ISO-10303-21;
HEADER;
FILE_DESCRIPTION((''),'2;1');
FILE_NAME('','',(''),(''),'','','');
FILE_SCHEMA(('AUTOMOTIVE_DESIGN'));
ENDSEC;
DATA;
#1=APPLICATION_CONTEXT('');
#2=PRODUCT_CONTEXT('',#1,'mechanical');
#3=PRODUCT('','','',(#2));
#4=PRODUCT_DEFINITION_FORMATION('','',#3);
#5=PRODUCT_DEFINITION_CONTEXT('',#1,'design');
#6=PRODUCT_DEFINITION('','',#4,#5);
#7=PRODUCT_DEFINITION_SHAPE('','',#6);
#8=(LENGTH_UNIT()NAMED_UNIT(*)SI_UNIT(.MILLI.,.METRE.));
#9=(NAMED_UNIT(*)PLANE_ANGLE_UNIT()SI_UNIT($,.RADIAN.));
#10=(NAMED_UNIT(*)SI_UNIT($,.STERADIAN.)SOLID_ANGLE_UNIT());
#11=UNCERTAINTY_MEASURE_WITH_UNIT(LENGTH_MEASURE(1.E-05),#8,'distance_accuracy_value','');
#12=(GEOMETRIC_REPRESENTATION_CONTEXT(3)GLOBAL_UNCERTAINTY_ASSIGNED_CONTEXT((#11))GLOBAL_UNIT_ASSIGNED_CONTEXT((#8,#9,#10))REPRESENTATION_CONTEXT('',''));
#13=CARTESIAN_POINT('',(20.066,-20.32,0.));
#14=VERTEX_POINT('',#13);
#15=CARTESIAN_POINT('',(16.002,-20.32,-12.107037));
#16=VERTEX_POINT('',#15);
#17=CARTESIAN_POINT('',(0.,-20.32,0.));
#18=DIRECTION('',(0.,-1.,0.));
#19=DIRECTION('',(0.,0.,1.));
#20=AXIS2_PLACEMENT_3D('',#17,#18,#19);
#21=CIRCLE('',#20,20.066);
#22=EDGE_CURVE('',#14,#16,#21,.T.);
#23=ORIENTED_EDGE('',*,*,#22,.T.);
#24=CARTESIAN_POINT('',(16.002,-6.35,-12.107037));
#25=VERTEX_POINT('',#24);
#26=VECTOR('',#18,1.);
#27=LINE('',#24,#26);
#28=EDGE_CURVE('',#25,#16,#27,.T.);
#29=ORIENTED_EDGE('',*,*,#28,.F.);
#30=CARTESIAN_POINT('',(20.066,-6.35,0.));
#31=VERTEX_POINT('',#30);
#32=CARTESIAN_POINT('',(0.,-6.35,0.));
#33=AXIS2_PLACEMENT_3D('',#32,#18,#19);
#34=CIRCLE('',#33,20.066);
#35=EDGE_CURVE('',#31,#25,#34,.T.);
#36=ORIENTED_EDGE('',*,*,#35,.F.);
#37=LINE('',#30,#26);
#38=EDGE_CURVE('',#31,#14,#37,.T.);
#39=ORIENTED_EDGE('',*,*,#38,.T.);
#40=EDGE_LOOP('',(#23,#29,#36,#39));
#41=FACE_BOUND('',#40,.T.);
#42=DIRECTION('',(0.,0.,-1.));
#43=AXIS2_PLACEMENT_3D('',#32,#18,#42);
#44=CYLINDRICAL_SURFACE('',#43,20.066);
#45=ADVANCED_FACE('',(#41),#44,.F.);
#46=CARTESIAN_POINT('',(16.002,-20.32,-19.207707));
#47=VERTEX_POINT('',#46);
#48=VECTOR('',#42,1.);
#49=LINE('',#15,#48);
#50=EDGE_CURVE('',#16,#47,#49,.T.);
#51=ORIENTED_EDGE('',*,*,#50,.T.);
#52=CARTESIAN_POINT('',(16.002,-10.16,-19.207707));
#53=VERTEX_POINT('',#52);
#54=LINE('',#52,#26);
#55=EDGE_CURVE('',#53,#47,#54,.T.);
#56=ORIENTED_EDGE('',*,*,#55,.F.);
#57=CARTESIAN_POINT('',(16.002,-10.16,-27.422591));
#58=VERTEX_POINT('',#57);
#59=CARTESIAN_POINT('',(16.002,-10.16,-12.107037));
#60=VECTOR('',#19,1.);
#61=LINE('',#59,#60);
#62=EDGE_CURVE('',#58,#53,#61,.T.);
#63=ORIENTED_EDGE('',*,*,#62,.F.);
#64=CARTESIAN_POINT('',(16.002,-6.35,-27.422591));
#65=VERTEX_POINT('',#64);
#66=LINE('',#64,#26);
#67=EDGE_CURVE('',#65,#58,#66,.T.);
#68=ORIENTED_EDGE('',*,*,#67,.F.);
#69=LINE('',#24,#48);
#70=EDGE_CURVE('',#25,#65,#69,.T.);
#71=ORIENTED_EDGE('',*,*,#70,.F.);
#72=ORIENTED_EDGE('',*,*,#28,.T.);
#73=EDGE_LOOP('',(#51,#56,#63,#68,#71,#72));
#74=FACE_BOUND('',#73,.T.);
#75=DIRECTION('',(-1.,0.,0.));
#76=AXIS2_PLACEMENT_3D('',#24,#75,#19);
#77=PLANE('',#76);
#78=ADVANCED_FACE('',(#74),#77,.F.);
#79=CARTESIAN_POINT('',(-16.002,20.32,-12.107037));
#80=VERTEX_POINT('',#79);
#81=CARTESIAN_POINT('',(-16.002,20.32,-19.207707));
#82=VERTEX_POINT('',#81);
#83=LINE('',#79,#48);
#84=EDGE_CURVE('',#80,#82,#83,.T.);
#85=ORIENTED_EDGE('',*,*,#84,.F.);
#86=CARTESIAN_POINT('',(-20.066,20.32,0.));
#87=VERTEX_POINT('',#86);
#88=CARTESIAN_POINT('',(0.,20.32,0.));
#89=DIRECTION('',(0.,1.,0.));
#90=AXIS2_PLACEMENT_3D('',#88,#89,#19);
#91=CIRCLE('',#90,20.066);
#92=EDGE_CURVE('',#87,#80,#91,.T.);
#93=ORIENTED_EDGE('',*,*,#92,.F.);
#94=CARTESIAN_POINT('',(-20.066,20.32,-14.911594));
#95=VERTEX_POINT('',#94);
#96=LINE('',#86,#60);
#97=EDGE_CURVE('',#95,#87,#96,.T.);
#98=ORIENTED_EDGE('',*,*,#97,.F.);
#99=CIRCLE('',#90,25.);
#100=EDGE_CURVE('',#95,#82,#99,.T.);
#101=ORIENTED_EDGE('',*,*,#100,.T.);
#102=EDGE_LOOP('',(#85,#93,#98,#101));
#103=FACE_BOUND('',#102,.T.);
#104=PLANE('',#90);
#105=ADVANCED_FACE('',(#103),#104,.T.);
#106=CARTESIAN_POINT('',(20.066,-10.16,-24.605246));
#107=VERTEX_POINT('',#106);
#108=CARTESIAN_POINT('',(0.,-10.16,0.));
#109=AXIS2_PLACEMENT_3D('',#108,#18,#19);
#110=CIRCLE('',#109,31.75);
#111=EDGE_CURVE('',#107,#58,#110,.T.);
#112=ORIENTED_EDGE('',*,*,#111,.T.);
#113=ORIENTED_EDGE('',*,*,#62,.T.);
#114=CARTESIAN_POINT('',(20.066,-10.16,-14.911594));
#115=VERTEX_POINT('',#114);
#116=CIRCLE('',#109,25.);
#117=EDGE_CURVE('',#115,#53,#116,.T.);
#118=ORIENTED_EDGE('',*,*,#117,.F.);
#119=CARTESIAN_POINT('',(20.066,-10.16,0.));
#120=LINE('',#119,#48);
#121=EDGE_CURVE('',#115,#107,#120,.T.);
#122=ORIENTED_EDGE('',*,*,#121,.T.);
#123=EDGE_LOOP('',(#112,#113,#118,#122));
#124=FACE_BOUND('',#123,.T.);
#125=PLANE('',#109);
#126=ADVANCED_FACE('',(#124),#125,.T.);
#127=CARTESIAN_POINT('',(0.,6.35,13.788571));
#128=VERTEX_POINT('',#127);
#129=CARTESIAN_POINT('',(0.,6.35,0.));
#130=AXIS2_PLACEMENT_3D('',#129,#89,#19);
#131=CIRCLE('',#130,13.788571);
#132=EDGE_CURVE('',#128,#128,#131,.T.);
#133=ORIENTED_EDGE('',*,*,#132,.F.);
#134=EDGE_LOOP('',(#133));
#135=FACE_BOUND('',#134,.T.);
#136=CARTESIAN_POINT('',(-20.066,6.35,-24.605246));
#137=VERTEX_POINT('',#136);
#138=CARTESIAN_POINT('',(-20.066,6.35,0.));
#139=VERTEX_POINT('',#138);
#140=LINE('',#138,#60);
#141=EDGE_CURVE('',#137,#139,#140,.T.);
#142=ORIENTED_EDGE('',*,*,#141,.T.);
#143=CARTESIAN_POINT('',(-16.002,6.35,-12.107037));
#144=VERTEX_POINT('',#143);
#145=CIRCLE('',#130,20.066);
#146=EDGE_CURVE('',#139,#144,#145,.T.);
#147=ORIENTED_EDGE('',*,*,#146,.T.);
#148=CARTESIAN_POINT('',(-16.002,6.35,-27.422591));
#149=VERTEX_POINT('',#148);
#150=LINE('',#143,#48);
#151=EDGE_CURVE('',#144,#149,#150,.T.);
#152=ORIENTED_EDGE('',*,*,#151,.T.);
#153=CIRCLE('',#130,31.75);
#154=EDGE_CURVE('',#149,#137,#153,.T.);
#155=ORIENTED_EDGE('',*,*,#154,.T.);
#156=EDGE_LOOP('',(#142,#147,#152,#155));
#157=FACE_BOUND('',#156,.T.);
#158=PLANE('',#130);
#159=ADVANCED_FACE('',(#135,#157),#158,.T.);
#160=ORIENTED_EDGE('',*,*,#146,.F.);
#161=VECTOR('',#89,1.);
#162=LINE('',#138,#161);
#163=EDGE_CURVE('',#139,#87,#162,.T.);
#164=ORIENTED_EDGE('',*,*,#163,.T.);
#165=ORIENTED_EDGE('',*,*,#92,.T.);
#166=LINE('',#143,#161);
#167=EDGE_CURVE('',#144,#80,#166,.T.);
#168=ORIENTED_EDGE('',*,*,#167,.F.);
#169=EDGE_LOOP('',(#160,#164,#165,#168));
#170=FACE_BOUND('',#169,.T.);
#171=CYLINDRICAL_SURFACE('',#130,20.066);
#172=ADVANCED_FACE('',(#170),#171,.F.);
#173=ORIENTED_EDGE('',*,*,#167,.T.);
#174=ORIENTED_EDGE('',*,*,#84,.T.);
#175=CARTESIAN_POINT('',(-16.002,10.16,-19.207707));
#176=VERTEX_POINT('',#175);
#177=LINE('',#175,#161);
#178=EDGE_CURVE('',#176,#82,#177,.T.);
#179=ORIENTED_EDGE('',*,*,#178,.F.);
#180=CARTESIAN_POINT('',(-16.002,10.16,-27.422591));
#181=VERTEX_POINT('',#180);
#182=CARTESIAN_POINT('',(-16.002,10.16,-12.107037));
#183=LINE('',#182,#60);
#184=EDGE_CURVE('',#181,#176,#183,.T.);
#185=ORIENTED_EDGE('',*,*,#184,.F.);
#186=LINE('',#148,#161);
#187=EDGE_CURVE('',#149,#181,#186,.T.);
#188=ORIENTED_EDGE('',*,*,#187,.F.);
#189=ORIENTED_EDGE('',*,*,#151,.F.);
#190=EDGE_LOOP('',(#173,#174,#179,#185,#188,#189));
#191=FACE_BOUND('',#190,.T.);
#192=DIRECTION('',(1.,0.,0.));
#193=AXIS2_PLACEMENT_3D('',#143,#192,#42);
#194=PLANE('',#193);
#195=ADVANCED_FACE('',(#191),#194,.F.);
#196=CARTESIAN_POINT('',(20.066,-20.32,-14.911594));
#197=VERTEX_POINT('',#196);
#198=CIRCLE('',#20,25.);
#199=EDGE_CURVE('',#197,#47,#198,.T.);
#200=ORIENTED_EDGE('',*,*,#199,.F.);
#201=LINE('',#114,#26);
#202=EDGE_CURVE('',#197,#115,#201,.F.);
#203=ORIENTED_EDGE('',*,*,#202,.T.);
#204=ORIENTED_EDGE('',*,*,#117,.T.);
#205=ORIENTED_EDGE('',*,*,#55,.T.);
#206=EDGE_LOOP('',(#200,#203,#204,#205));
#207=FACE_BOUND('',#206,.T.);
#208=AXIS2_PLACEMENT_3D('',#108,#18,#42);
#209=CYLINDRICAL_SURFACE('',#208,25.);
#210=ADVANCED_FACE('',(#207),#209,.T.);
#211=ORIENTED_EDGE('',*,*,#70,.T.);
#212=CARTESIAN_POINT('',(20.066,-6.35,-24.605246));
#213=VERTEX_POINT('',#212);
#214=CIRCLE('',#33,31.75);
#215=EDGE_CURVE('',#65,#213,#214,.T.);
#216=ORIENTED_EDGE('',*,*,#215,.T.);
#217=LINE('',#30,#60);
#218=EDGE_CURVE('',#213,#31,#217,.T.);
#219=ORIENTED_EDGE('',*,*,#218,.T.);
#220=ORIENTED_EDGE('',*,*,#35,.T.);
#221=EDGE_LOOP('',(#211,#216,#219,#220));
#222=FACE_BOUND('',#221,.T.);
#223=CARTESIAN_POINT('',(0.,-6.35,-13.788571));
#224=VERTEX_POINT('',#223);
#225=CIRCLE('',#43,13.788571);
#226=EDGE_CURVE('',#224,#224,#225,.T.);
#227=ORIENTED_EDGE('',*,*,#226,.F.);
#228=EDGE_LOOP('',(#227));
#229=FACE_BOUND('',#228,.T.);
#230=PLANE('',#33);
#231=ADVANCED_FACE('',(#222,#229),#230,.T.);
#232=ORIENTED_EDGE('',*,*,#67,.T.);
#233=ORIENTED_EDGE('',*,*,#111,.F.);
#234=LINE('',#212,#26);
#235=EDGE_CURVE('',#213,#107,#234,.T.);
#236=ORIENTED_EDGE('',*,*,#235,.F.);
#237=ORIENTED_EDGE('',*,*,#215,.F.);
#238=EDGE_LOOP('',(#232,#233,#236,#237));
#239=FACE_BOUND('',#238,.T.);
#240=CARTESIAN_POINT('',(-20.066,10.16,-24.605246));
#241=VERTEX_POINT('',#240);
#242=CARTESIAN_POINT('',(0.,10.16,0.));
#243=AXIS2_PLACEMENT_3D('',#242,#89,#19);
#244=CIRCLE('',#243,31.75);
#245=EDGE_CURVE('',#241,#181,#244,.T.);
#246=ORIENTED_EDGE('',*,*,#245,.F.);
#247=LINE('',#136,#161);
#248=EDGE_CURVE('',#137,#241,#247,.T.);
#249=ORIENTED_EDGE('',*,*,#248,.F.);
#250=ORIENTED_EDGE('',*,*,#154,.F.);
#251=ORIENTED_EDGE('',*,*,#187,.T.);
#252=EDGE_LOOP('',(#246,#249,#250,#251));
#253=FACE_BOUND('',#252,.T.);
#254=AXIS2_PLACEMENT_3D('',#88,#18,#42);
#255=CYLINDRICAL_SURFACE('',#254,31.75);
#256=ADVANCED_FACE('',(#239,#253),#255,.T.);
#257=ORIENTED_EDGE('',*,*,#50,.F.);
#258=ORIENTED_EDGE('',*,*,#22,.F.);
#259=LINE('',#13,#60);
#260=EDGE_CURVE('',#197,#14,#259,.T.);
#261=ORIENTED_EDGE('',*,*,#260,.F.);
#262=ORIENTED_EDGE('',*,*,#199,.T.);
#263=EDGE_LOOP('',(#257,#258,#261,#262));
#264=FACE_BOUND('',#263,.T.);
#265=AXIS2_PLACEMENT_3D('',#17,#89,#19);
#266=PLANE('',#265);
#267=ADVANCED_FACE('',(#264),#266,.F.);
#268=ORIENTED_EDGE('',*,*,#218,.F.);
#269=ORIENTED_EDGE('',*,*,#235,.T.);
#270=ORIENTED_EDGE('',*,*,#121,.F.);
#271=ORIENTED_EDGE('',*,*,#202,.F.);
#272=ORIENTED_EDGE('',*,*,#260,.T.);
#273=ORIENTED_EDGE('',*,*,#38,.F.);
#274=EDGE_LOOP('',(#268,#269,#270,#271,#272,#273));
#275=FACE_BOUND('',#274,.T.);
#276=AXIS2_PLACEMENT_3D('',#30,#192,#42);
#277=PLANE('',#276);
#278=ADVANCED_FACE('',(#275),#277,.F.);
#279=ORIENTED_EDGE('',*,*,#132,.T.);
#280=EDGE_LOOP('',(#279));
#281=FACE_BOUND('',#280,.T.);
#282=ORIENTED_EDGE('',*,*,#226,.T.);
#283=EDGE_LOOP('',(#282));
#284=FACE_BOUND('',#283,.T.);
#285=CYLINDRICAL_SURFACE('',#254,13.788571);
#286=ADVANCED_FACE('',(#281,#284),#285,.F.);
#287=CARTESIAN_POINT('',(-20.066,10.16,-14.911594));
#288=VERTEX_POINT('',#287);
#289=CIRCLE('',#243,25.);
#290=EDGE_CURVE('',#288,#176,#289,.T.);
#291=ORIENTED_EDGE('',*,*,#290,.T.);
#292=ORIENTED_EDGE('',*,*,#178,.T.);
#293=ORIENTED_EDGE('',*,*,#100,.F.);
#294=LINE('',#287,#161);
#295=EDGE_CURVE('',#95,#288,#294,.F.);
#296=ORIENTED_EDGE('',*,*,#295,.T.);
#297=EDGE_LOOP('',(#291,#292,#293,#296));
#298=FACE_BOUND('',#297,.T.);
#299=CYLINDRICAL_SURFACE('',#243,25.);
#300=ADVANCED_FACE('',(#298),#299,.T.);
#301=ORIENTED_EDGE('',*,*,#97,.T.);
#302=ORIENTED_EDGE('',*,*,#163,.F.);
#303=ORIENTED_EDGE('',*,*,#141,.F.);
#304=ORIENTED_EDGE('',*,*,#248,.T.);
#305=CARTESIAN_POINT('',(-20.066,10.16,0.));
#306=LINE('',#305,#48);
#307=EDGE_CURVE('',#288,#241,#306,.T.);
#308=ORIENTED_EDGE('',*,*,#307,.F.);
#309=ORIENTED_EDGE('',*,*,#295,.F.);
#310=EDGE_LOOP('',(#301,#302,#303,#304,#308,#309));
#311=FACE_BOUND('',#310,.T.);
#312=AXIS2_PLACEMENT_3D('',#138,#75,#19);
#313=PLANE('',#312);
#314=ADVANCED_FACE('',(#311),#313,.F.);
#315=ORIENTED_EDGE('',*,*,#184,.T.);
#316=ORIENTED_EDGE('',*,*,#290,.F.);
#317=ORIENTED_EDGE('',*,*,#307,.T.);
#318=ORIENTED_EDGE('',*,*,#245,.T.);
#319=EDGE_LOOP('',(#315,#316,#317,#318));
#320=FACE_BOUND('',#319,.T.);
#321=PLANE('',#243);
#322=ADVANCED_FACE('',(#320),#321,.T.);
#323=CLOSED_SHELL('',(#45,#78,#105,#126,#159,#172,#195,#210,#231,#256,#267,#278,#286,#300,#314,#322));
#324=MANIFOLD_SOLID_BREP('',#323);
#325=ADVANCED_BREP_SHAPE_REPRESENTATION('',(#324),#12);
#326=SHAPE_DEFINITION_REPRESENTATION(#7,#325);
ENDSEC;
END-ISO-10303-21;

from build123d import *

# Parameters (mm, degrees)
SKETCH1_R           = 31.75
SKETCH1_R_2         = 13.788571429
BOSS_EXTRUDE1_DEPTH = 20.32
CUT_EXTRUDE1_DEPTH  = 13.97
SKETCH13_R          = 31.75
SKETCH13_R_2        = 25
CUT_EXTRUDE2_DEPTH  = 10.16
CIRPATTERN1_COUNT   = 2


with BuildPart() as part:
    # Sketch1 → Boss-Extrude1 (new, symmetric)
    with BuildSketch(Plane(origin=(0, 0, 0), x_dir=(1, 0, 0), z_dir=(0, 1, 0))):
        with Locations(Location((0, 0, 0), (0, 0, 270))):
            Circle(SKETCH1_R)
        with Locations(Location((0, 0, 0), (0, 0, 270))):
            Circle(SKETCH1_R_2, mode=Mode.SUBTRACT)
    extrude(amount=BOSS_EXTRUDE1_DEPTH, both=True)

    # Sketch2 → Cut-Extrude1 (cut)
    with BuildSketch(Plane(origin=(0, 20.32, 0), x_dir=(1, 0, 0), z_dir=(0, 1, 0))):
        with BuildLine():
            Line((-20.066, 0), (-20.066, 24.60524627))
            ThreePointArc((-20.066, 24.60524627), (-18.088933462, 26.093159759), (-16.002, 27.422590979))
            Line((-16.002, 27.422590979), (-16.002, 12.107037292))
            ThreePointArc((-16.002, 12.107037292), (19.022887373, -6.385460986), (-20.066, 0))
        make_face()
    cut_extrude1 = extrude(amount=-CUT_EXTRUDE1_DEPTH, mode=Mode.SUBTRACT)

    # Sketch13 → Cut-Extrude2 (cut)
    with BuildSketch(Plane(origin=(0, 20.32, 0), x_dir=(1, 0, 0), z_dir=(0, 1, 0))):
        with Locations(Location((0, 0, 0), (0, 0, 120.264992611))):
            Circle(SKETCH13_R)
        Circle(SKETCH13_R_2, mode=Mode.SUBTRACT)
    cut_extrude2 = extrude(amount=-CUT_EXTRUDE2_DEPTH, mode=Mode.SUBTRACT)

    # CirPattern1: Cut-Extrude1, Cut-Extrude2 ×2 about axis
    cirpattern1_axis = Axis((0, 0, 0), (0, 0, 1))
    add([cut_extrude1.rotate(cirpattern1_axis, i * 360 / CIRPATTERN1_COUNT) for i in range(1, CIRPATTERN1_COUNT)], mode=Mode.SUBTRACT)
    add([cut_extrude2.rotate(cirpattern1_axis, i * 360 / CIRPATTERN1_COUNT) for i in range(1, CIRPATTERN1_COUNT)], mode=Mode.SUBTRACT)


solid = part.part
